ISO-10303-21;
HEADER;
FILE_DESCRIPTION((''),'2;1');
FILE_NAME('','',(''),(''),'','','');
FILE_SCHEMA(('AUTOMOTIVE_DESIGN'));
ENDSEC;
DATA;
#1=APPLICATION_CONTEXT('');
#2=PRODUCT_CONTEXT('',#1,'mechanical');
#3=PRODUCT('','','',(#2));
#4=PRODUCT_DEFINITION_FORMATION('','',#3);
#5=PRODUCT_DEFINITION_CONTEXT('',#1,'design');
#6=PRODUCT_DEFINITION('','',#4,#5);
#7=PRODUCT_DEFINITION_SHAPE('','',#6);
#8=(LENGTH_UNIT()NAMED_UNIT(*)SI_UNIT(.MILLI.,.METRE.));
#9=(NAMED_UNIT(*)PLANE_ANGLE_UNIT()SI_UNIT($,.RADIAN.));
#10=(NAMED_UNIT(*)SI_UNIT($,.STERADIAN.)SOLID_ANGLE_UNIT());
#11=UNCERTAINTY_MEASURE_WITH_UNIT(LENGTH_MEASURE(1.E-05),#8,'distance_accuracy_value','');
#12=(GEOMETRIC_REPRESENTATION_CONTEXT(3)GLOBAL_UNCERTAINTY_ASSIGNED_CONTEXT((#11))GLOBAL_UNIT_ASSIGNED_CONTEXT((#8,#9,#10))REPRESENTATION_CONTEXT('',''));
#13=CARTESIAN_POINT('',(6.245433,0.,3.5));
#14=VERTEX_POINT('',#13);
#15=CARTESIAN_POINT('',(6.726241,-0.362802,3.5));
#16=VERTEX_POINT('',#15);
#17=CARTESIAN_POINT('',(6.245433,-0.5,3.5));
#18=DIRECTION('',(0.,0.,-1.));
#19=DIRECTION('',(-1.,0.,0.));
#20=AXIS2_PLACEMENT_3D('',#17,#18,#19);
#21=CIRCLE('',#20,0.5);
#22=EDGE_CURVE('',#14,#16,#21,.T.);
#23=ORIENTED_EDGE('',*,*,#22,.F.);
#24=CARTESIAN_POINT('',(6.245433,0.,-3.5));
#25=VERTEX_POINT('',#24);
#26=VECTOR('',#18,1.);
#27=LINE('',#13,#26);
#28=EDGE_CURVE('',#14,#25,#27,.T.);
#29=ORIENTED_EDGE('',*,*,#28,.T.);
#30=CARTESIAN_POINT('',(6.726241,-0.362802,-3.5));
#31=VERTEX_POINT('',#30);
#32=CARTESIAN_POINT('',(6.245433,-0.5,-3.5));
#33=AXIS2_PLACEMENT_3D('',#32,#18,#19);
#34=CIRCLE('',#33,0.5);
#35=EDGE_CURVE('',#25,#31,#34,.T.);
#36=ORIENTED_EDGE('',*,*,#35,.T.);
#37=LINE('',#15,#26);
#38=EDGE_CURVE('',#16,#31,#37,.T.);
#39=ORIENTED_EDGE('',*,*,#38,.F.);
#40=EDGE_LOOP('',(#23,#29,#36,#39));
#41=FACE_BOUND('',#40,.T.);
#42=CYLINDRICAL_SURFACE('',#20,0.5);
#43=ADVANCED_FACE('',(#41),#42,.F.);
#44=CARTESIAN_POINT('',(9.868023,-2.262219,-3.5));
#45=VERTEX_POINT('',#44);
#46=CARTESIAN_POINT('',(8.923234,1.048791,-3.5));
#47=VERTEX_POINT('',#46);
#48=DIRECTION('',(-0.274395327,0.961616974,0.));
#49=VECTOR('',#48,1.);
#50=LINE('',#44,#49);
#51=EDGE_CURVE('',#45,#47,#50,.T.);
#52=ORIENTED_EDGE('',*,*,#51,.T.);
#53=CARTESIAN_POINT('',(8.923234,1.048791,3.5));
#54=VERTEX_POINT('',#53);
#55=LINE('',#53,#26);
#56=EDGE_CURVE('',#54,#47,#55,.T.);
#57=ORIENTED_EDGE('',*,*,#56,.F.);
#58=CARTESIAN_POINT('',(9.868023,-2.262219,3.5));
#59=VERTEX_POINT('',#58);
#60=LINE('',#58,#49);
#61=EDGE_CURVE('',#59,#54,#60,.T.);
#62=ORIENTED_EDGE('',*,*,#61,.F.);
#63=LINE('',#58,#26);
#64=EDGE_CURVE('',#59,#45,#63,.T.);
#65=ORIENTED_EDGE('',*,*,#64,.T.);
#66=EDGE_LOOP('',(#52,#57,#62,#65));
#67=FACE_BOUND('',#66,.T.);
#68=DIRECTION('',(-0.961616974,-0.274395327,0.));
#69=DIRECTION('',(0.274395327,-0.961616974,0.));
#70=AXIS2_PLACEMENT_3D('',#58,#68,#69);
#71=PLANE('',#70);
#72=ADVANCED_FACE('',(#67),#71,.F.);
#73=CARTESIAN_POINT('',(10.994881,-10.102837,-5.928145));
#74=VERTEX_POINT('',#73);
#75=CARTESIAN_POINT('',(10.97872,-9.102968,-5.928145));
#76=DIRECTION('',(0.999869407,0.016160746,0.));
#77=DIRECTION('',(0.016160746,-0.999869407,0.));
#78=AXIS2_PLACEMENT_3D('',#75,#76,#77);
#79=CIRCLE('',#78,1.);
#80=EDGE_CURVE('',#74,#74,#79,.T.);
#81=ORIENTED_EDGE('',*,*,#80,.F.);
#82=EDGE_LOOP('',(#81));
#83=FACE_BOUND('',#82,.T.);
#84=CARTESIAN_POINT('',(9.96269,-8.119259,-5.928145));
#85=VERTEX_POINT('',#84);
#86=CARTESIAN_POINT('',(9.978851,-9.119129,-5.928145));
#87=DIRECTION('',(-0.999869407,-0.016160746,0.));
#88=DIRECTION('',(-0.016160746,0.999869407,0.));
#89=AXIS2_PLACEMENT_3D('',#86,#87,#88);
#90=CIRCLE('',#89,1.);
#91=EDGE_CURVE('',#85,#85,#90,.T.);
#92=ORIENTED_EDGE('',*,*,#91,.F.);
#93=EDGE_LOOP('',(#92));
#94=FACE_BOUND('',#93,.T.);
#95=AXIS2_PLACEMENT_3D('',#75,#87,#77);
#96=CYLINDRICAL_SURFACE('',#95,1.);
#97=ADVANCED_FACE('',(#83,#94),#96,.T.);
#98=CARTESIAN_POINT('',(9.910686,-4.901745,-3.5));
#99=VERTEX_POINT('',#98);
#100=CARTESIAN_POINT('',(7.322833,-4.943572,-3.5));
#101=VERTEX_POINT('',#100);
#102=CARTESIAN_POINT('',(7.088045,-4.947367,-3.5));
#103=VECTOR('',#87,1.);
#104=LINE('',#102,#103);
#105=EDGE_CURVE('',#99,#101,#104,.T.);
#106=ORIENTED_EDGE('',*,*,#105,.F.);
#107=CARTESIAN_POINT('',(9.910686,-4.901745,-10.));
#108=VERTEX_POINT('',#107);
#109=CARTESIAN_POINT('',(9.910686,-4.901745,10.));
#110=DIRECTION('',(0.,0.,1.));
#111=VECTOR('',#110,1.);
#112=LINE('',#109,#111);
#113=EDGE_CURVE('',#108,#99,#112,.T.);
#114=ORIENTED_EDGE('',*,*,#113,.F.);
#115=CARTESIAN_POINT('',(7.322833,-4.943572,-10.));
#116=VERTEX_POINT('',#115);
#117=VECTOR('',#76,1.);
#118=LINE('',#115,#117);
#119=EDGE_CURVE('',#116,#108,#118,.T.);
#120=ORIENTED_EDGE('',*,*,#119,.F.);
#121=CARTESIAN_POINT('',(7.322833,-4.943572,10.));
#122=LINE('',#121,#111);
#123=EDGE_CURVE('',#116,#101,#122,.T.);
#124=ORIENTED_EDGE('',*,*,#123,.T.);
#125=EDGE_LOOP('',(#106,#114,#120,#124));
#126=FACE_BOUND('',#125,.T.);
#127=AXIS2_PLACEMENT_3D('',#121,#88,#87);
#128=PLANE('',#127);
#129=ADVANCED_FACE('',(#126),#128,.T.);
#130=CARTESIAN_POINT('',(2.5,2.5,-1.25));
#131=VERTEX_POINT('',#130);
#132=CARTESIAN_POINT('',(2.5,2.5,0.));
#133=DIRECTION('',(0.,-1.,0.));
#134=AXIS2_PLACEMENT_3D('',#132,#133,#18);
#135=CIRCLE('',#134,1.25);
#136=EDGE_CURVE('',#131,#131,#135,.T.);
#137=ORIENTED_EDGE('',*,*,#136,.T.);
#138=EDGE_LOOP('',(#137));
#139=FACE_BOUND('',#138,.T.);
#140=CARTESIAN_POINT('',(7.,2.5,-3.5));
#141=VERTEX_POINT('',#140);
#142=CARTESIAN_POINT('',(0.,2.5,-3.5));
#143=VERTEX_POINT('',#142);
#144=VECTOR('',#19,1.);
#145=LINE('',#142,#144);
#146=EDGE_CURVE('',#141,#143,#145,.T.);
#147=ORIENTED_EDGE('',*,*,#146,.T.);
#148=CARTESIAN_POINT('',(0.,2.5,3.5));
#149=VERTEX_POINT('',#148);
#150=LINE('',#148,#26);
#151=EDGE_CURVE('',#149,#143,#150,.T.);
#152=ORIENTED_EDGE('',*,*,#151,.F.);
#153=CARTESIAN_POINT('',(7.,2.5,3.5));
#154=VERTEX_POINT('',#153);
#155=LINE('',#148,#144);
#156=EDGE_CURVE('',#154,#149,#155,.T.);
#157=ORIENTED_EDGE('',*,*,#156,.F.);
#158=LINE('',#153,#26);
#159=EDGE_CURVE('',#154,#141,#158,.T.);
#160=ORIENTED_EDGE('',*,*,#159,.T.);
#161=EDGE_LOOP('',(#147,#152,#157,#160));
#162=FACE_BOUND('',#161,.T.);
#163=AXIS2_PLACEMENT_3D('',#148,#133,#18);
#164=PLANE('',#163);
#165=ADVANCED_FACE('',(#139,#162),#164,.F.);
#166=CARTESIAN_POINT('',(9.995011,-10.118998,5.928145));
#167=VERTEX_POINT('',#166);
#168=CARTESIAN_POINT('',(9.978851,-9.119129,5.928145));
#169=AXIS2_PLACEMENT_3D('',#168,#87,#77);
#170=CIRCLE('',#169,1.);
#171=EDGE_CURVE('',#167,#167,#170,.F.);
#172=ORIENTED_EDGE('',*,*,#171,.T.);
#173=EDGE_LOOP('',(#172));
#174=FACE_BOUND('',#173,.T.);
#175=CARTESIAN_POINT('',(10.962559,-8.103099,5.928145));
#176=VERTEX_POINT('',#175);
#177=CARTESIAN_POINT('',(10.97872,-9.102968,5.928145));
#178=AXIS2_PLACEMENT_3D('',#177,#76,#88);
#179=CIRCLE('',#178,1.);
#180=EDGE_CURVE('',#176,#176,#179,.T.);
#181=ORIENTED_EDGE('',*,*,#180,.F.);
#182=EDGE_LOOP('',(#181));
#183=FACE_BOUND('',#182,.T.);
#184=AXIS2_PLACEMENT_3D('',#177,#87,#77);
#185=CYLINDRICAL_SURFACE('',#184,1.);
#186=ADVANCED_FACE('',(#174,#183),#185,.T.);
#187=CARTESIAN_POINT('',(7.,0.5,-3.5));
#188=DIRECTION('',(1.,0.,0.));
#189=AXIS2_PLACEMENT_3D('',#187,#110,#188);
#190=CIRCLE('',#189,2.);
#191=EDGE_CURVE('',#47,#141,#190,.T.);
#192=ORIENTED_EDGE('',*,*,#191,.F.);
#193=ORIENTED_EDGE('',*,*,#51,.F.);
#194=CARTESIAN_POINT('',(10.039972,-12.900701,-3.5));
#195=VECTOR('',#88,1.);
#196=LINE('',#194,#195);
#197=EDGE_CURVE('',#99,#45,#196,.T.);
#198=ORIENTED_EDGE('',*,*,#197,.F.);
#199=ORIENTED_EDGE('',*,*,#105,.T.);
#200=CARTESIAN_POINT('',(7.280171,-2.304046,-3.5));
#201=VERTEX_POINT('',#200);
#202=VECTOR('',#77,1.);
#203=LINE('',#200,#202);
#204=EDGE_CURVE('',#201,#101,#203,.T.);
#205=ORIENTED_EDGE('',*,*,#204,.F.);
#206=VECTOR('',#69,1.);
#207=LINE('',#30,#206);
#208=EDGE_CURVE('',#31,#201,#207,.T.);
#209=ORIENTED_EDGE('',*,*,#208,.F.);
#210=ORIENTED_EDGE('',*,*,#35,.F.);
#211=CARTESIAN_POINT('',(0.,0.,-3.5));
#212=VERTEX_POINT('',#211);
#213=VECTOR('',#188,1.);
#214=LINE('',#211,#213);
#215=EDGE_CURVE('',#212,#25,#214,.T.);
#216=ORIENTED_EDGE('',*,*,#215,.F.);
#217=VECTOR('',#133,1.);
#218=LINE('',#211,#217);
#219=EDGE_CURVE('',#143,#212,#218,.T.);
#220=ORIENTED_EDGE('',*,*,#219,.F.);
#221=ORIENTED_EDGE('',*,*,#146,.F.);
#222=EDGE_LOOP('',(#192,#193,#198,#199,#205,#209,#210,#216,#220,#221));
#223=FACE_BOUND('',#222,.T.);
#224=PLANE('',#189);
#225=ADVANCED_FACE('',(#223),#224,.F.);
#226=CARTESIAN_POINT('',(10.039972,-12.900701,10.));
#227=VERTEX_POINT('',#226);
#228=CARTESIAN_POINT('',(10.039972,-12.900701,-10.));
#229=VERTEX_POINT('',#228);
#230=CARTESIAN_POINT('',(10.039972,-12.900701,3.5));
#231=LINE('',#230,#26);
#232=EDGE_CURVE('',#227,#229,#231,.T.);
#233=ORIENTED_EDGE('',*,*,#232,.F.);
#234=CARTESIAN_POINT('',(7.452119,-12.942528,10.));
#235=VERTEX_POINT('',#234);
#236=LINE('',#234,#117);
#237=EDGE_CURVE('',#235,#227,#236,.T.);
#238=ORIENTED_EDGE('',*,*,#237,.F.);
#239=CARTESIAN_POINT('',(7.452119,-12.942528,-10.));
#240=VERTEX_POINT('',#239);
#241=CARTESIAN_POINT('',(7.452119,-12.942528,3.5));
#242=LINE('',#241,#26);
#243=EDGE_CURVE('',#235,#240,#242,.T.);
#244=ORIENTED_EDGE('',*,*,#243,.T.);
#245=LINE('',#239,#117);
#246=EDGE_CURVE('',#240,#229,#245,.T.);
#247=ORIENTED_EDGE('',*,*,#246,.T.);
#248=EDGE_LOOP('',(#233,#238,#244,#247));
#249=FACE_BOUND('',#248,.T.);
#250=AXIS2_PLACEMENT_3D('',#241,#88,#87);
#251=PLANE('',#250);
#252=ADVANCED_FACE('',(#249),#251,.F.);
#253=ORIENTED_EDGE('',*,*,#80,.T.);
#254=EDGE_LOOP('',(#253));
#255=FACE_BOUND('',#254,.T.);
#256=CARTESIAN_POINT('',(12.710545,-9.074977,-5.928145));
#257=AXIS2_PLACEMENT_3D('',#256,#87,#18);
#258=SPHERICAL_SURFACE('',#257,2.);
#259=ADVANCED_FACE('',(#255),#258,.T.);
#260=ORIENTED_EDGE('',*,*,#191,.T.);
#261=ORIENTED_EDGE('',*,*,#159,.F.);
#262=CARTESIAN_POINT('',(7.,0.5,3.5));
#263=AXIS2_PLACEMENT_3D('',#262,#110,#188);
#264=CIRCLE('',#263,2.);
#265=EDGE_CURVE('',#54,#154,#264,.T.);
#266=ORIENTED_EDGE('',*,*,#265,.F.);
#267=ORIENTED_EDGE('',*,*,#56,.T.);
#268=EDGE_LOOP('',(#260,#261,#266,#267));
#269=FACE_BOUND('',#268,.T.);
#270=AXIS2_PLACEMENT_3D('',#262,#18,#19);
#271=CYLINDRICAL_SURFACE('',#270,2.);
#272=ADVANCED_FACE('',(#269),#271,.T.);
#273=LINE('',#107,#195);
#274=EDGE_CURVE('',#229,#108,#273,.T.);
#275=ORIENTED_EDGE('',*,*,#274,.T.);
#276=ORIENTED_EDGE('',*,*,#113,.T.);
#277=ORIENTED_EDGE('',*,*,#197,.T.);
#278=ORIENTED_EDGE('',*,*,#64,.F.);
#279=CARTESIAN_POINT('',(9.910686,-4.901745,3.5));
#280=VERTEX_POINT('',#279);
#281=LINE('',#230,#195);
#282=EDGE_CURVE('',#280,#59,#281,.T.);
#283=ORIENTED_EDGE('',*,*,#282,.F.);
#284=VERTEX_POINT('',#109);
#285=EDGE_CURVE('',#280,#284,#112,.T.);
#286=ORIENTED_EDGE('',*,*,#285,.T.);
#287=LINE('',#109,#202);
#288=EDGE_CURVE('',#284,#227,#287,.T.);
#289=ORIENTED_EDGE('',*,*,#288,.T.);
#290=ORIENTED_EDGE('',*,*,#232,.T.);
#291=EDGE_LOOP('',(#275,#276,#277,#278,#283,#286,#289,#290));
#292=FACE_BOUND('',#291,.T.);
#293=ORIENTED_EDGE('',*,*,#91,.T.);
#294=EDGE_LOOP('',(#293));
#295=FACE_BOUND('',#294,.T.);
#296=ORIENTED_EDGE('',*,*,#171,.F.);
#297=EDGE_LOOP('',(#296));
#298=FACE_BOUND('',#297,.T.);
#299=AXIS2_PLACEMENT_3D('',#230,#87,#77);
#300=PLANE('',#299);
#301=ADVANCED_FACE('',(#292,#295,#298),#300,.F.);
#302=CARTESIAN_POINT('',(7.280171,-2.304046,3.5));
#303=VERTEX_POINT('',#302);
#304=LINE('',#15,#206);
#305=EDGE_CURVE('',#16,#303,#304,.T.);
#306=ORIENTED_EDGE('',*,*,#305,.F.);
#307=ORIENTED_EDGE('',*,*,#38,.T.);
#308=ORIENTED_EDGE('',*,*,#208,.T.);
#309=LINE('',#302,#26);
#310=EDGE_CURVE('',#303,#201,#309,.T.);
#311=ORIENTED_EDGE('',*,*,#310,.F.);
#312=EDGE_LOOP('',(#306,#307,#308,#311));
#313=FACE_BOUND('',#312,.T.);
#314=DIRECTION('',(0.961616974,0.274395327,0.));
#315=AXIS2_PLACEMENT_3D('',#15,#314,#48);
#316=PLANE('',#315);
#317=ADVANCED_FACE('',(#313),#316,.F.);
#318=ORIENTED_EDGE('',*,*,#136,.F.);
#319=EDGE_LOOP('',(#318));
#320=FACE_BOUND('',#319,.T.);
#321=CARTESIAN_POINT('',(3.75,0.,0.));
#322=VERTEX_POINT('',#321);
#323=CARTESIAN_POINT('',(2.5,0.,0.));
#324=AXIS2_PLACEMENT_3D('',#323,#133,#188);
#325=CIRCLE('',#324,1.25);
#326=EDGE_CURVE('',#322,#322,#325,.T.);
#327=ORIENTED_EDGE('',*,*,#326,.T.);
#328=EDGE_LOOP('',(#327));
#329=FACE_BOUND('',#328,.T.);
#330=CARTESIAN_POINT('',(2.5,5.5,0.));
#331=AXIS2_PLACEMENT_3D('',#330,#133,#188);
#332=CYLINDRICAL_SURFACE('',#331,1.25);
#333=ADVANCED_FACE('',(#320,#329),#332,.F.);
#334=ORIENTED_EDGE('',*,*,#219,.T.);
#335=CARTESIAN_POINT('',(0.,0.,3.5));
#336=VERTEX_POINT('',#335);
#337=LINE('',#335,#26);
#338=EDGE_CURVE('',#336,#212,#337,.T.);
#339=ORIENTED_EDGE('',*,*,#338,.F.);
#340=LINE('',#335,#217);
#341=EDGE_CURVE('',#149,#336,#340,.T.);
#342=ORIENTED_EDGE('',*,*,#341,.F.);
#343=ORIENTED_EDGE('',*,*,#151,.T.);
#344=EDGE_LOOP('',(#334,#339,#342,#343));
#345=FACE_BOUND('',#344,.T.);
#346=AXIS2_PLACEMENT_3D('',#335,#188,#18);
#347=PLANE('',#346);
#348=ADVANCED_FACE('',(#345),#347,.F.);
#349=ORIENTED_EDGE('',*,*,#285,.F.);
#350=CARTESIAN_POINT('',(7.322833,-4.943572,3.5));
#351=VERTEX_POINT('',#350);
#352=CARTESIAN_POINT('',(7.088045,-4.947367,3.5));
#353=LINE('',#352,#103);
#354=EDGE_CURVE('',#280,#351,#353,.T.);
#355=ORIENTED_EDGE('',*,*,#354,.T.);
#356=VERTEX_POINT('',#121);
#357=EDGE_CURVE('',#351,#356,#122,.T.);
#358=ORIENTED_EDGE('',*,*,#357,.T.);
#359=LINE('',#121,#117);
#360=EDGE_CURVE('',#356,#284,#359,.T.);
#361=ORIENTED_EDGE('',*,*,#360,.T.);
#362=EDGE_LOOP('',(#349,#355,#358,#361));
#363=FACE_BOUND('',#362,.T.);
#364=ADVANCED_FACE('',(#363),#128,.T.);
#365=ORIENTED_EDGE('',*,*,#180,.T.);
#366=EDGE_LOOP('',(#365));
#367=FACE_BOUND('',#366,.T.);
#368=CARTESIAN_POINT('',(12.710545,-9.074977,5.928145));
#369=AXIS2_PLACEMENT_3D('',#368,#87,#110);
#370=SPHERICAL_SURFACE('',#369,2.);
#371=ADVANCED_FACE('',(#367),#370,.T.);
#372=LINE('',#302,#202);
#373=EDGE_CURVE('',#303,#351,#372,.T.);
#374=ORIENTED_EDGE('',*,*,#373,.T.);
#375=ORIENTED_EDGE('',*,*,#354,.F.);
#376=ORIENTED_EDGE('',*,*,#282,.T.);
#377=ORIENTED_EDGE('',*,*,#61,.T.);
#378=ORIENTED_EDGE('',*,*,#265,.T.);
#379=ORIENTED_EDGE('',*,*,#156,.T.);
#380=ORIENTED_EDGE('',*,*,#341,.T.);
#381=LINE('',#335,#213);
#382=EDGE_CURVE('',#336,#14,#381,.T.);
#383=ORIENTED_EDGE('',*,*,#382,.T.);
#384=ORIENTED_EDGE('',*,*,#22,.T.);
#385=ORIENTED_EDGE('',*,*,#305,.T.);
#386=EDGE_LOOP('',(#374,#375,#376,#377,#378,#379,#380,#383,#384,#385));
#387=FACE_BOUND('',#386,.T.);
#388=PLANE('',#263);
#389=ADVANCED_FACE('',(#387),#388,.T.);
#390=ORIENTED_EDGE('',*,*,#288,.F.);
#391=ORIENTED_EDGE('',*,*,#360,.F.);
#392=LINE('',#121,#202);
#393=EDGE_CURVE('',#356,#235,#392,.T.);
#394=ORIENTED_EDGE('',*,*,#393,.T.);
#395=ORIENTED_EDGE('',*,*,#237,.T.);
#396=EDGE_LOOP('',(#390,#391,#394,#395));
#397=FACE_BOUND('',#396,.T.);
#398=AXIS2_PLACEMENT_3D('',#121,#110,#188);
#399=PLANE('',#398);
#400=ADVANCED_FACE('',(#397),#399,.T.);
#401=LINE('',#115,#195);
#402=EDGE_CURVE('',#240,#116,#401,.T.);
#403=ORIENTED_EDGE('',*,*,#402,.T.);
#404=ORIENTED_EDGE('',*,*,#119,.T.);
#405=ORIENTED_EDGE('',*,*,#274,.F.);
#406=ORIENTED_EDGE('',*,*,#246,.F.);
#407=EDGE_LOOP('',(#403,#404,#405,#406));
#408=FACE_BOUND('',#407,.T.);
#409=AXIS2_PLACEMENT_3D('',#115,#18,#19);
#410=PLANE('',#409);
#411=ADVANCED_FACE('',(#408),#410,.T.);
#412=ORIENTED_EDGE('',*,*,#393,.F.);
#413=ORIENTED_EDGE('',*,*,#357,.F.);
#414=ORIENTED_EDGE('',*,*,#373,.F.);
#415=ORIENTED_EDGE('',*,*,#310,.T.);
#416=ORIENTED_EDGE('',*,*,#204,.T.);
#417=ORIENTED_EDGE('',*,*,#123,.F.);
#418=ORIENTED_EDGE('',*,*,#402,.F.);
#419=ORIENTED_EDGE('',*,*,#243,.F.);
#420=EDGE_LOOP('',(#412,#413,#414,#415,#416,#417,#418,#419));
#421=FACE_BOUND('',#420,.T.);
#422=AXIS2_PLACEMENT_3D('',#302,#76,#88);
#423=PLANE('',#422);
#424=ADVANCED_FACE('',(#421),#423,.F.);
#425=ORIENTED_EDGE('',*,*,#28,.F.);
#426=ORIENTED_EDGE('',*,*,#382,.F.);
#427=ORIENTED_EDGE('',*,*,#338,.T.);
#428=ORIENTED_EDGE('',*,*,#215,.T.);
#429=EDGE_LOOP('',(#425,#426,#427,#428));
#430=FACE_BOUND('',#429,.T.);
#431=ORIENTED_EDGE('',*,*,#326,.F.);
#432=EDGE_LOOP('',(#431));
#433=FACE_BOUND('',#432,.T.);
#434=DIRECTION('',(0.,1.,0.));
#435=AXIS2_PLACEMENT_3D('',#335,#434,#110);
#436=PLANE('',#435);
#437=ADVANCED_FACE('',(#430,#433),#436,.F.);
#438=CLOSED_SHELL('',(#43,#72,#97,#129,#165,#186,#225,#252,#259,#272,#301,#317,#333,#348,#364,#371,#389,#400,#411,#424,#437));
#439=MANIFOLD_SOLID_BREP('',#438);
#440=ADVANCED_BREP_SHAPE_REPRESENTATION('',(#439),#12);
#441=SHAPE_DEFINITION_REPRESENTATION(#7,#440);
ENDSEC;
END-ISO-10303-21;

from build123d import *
from build123d.topology import SkipClean

# Parameters (mm, degrees)
EXTRUDE_1_DEPTH     = 3.5
SKETCH_2_R          = 1.25
CUT_EXTRUDE_3_DEPTH = 5.5
SKETCH_3_W          = 20
SKETCH_3_H          = 8
EXTRUDE_2_DEPTH     = 2.58819
SKETCH_4_R          = 1
EXTRUDE_3_DEPTH     = 1


with BuildPart() as part:
    # 草图1 → 凸台-拉伸1 (new, symmetric)
    with BuildSketch(Plane.XY):
        with BuildLine():
            Line((0, 0), (6.245432753, 0))
            ThreePointArc((6.245432753, 0), (6.54659813, -0.100876691), (6.72624124, -0.362802336))
            Line((6.72624124, -0.362802336), (7.280170813, -2.304045596))
            Line((7.280170813, -2.304045596), (7.452119079, -12.942527714))
            Line((7.452119079, -12.942527714), (10.039971529, -12.900700625))
            Line((10.039971529, -12.900700625), (9.868023263, -2.262218507))
            Line((9.868023263, -2.262218507), (8.923233948, 1.048790655))
            ThreePointArc((8.923233948, 1.048790655), (8.204661507, 2.096493237), (7, 2.5))
            Line((7, 2.5), (0, 2.5))
            Line((0, 2.5), (0, 0))
        make_face()
    extrude(amount=EXTRUDE_1_DEPTH, both=True)

    # 草图2 → 切除-拉伸3 (cut)
    with BuildSketch(Plane.XZ):
        with Locations((2.5, 0)):
            Circle(SKETCH_2_R)
    extrude(amount=-CUT_EXTRUDE_3_DEPTH, mode=Mode.SUBTRACT)

    # 草图3 → 凸台-拉伸2 (add)
    with SkipClean():  # the faces are left unmerged after this step: merging them gives an invalid solid
        with BuildSketch(Plane(origin=(9.828891669, 0.158862971, 0), x_dir=(0, 0, -1), z_dir=(0.9998694066117623, 0.016160746326906558, 0))):
            with Locations((0, -9.061269312)):
                Rectangle(SKETCH_3_W, SKETCH_3_H)
        extrude(amount=-EXTRUDE_2_DEPTH)

    # 草图4 → 凸台-拉伸3 (add)
    with SkipClean():  # the faces are left unmerged after this step: merging them gives an invalid solid
        with BuildSketch(Plane(origin=(9.828891669, 0.158862971, 0), x_dir=(0, 0, -1), z_dir=(0.9998694066117623, 0.016160746326906558, 0))):
            with Locations(Location((-5.928145029, -9.279203433, 0), (0, 0, 270))):
                Circle(SKETCH_4_R)
        extrude_3 = extrude(amount=EXTRUDE_3_DEPTH)

    # 草图5 → 旋转1 (revolve)
    with SkipClean():  # the faces are left unmerged after this step: merging them gives an invalid solid
        with BuildSketch(Plane(origin=(0.149958853, -9.27799163, 0), x_dir=(-0.9998694066117623, -0.016160746326906558, 0), z_dir=(-0.016160746326906558, 0.9998694066117623, 0))):
            with BuildLine():
                Line((-10.830175425, 5.928145029), (-14.562226233, 5.928145029))
                ThreePointArc((-14.562226233, 5.928145029), (-13.079864323, 7.859996681), (-10.830175425, 6.928145029))
                Line((-10.830175425, 6.928145029), (-10.830175425, 5.928145029))
            make_face()
        revolve_1 = revolve(axis=Axis((10.978719929, -9.102967912, 5.928145029), (0.9998694066117622, 0.016160746326906585, 0)))

    # 镜向1: 凸台-拉伸3, 旋转1 across plane
    with SkipClean():  # the faces are left unmerged after this step: merging them gives an invalid solid
        add(extrude_3.mirror(Plane.XY))
        add(revolve_1.mirror(Plane.XY))


solid = part.part
